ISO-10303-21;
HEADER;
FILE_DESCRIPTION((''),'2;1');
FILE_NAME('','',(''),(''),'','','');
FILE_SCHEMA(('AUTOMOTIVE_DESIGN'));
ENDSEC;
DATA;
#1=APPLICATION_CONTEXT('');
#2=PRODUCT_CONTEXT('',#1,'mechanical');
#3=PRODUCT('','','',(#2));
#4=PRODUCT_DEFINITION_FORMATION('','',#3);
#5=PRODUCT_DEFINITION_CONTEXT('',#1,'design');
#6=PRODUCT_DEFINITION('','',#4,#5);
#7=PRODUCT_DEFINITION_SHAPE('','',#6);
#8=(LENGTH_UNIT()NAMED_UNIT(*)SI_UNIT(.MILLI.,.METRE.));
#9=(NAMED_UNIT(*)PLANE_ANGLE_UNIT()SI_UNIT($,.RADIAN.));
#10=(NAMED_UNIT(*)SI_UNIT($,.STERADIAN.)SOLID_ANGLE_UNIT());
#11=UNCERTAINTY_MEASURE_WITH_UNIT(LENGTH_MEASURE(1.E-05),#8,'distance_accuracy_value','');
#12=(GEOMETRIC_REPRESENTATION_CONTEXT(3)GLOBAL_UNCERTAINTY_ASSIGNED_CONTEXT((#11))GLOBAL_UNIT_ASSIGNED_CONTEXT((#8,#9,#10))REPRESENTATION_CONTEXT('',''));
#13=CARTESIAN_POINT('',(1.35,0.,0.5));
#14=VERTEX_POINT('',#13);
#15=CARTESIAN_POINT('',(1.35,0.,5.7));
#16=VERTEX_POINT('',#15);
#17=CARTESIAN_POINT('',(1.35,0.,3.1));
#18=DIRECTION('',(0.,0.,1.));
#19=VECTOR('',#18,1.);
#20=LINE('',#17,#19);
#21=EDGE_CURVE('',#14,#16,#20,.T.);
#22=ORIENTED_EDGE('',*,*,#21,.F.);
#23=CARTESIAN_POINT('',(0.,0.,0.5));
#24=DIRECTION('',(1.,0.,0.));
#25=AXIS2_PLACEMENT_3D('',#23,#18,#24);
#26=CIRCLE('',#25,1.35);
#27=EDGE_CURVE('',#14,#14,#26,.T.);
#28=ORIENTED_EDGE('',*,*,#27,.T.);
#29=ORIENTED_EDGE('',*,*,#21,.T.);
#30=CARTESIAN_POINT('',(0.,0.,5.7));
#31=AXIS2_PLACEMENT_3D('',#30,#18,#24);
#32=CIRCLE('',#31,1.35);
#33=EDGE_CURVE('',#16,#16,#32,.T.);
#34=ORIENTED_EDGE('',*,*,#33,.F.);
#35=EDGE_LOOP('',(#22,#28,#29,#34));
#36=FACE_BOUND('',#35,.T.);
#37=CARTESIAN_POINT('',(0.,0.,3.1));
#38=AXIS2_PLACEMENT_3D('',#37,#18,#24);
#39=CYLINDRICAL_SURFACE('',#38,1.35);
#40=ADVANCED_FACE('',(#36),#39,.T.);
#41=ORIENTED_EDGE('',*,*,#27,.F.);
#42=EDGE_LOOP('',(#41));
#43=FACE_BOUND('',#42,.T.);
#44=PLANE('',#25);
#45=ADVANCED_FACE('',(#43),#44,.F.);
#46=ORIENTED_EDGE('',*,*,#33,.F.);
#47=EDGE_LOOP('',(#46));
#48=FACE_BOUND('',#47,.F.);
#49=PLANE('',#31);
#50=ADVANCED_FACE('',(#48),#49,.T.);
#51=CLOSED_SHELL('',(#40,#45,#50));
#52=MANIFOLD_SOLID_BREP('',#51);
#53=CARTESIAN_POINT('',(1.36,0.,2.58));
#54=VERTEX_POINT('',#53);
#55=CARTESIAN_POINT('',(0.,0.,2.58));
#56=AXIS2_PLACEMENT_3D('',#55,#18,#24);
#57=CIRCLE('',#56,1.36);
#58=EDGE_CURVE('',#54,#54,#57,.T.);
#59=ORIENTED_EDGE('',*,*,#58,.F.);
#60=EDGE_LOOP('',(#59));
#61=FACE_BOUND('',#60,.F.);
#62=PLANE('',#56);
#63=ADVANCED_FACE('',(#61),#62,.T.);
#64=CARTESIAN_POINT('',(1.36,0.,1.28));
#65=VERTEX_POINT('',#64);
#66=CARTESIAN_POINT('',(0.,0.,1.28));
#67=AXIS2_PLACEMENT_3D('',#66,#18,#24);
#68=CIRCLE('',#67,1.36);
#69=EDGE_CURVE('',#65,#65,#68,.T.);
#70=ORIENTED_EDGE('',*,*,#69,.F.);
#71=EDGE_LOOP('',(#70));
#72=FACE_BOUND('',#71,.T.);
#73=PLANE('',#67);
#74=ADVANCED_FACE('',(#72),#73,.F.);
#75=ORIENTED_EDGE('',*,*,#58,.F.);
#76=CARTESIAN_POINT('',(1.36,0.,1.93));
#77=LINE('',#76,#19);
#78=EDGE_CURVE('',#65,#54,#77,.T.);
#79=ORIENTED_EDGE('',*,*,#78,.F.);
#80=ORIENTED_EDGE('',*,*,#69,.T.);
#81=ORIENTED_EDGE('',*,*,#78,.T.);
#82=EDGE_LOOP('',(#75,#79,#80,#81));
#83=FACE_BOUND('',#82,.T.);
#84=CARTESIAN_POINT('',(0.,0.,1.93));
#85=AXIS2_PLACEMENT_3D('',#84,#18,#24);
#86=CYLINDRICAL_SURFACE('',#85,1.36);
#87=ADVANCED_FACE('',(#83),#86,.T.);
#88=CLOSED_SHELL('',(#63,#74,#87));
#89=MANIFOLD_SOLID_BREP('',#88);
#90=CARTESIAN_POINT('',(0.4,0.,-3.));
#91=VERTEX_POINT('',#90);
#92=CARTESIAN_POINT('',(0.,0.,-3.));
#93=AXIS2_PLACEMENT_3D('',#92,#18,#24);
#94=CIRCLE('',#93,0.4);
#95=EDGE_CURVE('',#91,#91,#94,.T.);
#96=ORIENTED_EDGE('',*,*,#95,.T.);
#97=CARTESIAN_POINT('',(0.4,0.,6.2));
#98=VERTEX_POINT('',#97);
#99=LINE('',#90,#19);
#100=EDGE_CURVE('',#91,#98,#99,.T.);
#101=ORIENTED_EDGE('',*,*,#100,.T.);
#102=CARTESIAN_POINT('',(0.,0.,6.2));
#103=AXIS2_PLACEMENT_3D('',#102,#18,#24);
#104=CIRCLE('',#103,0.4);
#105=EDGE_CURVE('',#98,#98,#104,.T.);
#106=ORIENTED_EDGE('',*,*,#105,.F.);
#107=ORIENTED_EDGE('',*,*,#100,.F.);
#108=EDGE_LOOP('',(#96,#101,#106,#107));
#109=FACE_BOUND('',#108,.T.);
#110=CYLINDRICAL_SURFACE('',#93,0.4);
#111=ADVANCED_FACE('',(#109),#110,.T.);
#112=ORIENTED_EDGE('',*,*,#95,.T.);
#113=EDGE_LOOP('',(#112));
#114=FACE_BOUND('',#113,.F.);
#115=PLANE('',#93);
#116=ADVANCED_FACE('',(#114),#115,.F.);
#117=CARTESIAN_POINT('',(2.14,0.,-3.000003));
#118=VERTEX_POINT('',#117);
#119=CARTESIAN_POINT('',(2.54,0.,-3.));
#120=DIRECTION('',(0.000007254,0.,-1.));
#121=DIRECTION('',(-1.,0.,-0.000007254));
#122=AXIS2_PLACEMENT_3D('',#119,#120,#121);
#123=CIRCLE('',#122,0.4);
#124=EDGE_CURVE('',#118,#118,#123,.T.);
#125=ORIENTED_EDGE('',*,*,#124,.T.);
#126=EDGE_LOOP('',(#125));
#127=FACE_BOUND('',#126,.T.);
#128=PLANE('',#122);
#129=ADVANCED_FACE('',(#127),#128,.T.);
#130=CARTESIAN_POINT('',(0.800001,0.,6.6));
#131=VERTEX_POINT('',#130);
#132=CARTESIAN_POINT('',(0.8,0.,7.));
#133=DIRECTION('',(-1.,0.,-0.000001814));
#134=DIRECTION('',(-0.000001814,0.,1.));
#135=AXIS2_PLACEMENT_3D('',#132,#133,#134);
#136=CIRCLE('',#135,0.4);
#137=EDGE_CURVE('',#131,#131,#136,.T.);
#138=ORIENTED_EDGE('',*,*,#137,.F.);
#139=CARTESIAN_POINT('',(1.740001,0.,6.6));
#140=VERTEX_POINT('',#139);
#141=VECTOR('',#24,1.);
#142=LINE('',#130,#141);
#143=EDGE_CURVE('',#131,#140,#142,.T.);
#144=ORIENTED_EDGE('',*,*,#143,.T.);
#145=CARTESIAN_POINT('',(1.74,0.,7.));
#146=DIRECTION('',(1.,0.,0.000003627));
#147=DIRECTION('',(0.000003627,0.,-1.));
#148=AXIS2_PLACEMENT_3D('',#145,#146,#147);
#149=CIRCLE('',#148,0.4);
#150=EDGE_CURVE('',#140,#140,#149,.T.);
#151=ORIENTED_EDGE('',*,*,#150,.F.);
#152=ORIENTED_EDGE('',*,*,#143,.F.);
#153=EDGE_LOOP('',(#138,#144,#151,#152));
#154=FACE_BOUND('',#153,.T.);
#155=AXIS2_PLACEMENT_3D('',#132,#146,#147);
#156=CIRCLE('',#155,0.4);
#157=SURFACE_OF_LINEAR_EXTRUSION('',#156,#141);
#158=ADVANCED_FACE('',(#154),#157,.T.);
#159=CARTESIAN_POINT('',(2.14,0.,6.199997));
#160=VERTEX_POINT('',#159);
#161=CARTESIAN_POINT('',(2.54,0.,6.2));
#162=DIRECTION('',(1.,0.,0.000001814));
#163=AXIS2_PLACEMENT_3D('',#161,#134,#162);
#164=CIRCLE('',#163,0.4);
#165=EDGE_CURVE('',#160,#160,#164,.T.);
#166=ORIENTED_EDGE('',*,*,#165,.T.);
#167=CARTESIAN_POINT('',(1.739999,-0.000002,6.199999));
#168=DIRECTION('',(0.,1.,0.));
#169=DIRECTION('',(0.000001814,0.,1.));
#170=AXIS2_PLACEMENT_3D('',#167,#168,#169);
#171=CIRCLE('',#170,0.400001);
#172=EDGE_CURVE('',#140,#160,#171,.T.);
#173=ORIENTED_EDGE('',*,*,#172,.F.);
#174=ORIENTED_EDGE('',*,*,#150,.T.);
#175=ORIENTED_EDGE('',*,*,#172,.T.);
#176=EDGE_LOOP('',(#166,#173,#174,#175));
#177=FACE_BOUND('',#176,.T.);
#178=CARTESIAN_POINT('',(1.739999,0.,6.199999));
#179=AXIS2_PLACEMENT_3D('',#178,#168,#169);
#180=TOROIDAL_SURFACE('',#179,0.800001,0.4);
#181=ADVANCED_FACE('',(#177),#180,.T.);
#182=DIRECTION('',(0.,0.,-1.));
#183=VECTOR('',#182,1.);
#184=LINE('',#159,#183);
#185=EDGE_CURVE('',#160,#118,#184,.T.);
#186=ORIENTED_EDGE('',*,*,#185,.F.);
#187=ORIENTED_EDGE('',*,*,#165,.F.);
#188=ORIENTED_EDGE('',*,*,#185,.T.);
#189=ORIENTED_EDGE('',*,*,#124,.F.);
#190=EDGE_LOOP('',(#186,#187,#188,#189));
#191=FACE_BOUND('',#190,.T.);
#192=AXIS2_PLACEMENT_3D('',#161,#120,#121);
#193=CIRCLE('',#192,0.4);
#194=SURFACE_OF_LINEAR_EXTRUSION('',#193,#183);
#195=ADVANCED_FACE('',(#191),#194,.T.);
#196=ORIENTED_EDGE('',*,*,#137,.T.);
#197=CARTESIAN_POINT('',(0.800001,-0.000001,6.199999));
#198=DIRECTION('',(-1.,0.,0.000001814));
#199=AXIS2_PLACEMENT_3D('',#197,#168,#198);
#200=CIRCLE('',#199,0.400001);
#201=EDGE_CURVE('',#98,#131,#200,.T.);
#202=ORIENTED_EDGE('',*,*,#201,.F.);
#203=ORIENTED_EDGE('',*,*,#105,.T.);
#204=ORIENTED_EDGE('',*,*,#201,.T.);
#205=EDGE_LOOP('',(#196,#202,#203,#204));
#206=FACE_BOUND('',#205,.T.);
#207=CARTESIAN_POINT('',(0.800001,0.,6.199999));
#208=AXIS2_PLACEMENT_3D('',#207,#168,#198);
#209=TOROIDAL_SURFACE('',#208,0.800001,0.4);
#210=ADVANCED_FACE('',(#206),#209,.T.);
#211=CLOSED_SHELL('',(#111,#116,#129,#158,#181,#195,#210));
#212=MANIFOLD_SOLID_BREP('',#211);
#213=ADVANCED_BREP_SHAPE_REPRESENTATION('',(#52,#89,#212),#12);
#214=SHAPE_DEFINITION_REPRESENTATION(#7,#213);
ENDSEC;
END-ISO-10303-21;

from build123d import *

# Parameters (mm, degrees)
SKETCH001_R = 0.4
SKETCH002_W = 1.35
SKETCH002_H = 5.2
SKETCH003_W = 1.36
SKETCH003_H = 1.3


with BuildPart() as sweep_body:
    # Sweep: sweep along a path in Sketch
    with BuildLine(Plane.XZ) as sweep_path:
        Line((0, -3), (0, 6.2))
        ThreePointArc((0, 6.2), (0.234315, 6.765685), (0.8, 7))
        Line((0.8, 7), (1.74, 7))
        ThreePointArc((1.74, 7), (2.305685, 6.765685), (2.54, 6.2))
        Line((2.54, 6.2), (2.54, -3))
    # Sketch001 → Sweep (sweep)
    with BuildSketch(Plane.XY):
        Circle(SKETCH001_R)
    sweep(path=sweep_path.line)


with BuildPart() as revolution:
    # Sketch002 → Revolution (revolve)
    with BuildSketch(Plane.XZ):
        with Locations((0.675, 3.1)):
            Rectangle(SKETCH002_W, SKETCH002_H)
    revolve(axis=Axis((0, 0, 0.5), (0, 0, 1)))


with BuildPart() as revolution001:
    # Sketch003 → Revolution001 (revolve)
    with BuildSketch(Plane.XZ):
        with Locations((0.68, 1.93)):
            Rectangle(SKETCH003_W, SKETCH003_H)
    revolve(axis=Axis((0, 0, 0), (0, 0, 1)))


solid = Compound([sweep_body.part, revolution.part, revolution001.part])
